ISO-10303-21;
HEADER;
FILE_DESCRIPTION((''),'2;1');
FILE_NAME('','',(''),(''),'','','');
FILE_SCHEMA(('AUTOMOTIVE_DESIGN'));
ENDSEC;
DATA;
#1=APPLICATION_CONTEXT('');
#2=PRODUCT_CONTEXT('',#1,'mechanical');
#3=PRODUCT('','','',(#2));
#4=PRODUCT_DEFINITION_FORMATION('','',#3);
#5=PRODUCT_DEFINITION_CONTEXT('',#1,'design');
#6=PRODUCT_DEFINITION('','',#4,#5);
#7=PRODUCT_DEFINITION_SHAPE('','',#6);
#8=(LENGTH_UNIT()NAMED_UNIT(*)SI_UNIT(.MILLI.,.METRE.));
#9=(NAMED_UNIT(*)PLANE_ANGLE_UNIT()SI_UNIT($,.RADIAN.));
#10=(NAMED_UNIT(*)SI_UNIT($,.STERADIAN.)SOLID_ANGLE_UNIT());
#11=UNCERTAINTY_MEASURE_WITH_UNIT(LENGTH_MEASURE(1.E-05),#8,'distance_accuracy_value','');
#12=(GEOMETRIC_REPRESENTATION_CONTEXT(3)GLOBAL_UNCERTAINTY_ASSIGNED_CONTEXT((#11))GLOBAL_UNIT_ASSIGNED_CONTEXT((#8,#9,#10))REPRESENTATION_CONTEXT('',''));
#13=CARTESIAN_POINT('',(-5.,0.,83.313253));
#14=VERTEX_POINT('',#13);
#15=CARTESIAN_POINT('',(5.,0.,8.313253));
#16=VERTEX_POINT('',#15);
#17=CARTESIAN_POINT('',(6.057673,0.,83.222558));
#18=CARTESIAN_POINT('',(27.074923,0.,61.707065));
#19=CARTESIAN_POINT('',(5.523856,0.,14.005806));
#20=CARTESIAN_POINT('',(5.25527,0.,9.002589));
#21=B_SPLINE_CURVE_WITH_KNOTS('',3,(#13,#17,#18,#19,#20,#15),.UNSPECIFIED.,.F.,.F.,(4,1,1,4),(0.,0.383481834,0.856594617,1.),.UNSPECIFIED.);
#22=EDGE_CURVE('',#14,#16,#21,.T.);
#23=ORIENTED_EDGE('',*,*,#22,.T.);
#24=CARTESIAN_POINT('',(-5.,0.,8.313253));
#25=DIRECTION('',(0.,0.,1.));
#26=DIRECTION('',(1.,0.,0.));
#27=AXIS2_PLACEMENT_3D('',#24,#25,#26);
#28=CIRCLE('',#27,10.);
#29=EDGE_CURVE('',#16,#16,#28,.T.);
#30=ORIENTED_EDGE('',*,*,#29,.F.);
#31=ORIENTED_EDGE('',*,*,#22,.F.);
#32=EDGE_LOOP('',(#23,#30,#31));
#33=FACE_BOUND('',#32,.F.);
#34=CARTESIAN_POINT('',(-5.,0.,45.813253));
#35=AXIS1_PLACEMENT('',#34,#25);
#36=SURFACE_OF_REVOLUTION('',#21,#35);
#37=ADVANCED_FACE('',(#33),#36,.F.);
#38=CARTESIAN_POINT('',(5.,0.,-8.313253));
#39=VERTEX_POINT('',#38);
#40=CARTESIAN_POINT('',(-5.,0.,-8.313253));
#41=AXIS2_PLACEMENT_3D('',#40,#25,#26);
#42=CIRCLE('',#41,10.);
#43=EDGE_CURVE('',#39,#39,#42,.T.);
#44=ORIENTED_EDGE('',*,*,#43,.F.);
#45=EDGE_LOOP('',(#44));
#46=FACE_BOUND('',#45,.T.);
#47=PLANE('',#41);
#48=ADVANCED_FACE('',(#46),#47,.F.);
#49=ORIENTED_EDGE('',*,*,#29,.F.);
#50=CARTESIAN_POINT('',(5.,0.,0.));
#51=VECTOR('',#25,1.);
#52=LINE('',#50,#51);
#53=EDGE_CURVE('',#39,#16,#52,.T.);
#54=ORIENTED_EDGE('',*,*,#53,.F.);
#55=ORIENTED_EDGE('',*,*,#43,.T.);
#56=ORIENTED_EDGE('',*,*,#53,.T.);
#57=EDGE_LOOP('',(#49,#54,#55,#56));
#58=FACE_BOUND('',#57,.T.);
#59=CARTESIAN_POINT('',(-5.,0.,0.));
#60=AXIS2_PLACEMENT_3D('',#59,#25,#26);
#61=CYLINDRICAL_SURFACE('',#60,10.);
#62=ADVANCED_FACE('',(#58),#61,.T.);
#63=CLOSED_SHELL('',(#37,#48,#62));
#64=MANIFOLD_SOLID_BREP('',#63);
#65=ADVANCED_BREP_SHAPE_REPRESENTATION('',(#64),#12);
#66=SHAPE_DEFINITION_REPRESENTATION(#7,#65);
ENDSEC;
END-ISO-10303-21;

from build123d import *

# Parameters (mm, degrees)
F0_W = 10
F0_H = 16.6265054392


with BuildPart() as f1:
    # F0 (on Front) → F1 (revolve)
    with BuildSketch(Plane.XZ):
        with BuildLine():
            Line((-5, 83.3132527196), (-5, 8.3132527196))
            Line((-5, 8.3132527196), (5, 8.3132527196))
            add(Edge.make_bspline(
                [(-5, 83.3132527196), (6.057672827, 83.2225575915), (27.0749226126, 61.7070649467), (5.5238563739, 14.0058060108), (5.2552695641, 9.0025888738), (5, 8.3132527196)],
                knots=[0, 0, 0, 0, 0.3834818342, 0.8565946169, 1, 1, 1, 1], degree=3))
        make_face()
        Rectangle(F0_W, F0_H)
    revolve(axis=Axis((-5, 0, 45.8132527196), (0, 0, 1)))


solid = f1.part
